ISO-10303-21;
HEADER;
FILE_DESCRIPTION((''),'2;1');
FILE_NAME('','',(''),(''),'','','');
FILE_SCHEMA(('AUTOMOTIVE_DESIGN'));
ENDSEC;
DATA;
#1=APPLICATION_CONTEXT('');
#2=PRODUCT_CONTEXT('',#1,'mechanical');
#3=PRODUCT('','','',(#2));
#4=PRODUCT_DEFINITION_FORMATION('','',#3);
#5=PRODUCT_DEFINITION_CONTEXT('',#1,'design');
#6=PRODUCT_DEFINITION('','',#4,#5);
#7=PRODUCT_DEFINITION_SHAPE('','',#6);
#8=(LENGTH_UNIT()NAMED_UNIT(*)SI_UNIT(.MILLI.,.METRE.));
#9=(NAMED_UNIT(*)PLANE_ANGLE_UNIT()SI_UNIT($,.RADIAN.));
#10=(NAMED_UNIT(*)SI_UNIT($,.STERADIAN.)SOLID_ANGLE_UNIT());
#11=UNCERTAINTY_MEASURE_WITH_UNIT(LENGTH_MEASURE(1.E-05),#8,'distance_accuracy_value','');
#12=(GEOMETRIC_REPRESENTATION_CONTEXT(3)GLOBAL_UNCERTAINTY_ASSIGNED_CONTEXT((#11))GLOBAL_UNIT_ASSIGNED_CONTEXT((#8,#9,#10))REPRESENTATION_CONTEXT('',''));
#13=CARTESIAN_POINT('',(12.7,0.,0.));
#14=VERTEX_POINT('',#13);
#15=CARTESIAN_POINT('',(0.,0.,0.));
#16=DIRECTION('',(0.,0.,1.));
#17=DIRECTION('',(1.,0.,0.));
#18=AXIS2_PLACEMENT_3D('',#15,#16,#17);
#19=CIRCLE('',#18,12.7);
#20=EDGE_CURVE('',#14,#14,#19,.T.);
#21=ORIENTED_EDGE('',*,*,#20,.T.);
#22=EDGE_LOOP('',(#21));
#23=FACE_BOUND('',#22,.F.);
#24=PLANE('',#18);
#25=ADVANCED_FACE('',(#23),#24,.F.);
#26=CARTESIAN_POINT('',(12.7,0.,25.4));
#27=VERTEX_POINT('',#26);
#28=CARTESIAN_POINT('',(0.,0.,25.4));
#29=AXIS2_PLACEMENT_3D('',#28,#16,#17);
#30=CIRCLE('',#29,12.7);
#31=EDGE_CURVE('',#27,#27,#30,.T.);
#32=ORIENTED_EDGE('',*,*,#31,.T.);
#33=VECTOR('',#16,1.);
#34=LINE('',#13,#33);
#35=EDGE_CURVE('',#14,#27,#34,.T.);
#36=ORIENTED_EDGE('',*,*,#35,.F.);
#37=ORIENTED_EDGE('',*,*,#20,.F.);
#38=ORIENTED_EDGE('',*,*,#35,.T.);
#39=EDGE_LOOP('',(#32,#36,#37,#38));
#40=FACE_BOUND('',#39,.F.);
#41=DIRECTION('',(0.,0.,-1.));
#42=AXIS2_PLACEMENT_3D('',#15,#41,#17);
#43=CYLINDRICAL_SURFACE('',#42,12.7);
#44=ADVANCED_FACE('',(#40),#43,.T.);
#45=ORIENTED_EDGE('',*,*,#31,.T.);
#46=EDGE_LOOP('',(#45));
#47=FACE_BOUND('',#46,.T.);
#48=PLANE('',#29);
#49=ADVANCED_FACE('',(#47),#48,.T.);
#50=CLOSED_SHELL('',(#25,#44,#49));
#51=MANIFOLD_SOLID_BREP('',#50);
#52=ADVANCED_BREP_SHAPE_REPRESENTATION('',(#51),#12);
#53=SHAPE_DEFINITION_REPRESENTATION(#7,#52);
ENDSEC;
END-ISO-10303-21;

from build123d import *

# Parameters (mm, degrees)
SKETCH1_R           = 12.7
BOSS_EXTRUDE1_DEPTH = 25.4


with BuildPart() as part:
    # Sketch1 → Boss-Extrude1 (new body)
    with BuildSketch(Plane.XY):
        Circle(SKETCH1_R)
    extrude(amount=BOSS_EXTRUDE1_DEPTH)


solid = part.part
